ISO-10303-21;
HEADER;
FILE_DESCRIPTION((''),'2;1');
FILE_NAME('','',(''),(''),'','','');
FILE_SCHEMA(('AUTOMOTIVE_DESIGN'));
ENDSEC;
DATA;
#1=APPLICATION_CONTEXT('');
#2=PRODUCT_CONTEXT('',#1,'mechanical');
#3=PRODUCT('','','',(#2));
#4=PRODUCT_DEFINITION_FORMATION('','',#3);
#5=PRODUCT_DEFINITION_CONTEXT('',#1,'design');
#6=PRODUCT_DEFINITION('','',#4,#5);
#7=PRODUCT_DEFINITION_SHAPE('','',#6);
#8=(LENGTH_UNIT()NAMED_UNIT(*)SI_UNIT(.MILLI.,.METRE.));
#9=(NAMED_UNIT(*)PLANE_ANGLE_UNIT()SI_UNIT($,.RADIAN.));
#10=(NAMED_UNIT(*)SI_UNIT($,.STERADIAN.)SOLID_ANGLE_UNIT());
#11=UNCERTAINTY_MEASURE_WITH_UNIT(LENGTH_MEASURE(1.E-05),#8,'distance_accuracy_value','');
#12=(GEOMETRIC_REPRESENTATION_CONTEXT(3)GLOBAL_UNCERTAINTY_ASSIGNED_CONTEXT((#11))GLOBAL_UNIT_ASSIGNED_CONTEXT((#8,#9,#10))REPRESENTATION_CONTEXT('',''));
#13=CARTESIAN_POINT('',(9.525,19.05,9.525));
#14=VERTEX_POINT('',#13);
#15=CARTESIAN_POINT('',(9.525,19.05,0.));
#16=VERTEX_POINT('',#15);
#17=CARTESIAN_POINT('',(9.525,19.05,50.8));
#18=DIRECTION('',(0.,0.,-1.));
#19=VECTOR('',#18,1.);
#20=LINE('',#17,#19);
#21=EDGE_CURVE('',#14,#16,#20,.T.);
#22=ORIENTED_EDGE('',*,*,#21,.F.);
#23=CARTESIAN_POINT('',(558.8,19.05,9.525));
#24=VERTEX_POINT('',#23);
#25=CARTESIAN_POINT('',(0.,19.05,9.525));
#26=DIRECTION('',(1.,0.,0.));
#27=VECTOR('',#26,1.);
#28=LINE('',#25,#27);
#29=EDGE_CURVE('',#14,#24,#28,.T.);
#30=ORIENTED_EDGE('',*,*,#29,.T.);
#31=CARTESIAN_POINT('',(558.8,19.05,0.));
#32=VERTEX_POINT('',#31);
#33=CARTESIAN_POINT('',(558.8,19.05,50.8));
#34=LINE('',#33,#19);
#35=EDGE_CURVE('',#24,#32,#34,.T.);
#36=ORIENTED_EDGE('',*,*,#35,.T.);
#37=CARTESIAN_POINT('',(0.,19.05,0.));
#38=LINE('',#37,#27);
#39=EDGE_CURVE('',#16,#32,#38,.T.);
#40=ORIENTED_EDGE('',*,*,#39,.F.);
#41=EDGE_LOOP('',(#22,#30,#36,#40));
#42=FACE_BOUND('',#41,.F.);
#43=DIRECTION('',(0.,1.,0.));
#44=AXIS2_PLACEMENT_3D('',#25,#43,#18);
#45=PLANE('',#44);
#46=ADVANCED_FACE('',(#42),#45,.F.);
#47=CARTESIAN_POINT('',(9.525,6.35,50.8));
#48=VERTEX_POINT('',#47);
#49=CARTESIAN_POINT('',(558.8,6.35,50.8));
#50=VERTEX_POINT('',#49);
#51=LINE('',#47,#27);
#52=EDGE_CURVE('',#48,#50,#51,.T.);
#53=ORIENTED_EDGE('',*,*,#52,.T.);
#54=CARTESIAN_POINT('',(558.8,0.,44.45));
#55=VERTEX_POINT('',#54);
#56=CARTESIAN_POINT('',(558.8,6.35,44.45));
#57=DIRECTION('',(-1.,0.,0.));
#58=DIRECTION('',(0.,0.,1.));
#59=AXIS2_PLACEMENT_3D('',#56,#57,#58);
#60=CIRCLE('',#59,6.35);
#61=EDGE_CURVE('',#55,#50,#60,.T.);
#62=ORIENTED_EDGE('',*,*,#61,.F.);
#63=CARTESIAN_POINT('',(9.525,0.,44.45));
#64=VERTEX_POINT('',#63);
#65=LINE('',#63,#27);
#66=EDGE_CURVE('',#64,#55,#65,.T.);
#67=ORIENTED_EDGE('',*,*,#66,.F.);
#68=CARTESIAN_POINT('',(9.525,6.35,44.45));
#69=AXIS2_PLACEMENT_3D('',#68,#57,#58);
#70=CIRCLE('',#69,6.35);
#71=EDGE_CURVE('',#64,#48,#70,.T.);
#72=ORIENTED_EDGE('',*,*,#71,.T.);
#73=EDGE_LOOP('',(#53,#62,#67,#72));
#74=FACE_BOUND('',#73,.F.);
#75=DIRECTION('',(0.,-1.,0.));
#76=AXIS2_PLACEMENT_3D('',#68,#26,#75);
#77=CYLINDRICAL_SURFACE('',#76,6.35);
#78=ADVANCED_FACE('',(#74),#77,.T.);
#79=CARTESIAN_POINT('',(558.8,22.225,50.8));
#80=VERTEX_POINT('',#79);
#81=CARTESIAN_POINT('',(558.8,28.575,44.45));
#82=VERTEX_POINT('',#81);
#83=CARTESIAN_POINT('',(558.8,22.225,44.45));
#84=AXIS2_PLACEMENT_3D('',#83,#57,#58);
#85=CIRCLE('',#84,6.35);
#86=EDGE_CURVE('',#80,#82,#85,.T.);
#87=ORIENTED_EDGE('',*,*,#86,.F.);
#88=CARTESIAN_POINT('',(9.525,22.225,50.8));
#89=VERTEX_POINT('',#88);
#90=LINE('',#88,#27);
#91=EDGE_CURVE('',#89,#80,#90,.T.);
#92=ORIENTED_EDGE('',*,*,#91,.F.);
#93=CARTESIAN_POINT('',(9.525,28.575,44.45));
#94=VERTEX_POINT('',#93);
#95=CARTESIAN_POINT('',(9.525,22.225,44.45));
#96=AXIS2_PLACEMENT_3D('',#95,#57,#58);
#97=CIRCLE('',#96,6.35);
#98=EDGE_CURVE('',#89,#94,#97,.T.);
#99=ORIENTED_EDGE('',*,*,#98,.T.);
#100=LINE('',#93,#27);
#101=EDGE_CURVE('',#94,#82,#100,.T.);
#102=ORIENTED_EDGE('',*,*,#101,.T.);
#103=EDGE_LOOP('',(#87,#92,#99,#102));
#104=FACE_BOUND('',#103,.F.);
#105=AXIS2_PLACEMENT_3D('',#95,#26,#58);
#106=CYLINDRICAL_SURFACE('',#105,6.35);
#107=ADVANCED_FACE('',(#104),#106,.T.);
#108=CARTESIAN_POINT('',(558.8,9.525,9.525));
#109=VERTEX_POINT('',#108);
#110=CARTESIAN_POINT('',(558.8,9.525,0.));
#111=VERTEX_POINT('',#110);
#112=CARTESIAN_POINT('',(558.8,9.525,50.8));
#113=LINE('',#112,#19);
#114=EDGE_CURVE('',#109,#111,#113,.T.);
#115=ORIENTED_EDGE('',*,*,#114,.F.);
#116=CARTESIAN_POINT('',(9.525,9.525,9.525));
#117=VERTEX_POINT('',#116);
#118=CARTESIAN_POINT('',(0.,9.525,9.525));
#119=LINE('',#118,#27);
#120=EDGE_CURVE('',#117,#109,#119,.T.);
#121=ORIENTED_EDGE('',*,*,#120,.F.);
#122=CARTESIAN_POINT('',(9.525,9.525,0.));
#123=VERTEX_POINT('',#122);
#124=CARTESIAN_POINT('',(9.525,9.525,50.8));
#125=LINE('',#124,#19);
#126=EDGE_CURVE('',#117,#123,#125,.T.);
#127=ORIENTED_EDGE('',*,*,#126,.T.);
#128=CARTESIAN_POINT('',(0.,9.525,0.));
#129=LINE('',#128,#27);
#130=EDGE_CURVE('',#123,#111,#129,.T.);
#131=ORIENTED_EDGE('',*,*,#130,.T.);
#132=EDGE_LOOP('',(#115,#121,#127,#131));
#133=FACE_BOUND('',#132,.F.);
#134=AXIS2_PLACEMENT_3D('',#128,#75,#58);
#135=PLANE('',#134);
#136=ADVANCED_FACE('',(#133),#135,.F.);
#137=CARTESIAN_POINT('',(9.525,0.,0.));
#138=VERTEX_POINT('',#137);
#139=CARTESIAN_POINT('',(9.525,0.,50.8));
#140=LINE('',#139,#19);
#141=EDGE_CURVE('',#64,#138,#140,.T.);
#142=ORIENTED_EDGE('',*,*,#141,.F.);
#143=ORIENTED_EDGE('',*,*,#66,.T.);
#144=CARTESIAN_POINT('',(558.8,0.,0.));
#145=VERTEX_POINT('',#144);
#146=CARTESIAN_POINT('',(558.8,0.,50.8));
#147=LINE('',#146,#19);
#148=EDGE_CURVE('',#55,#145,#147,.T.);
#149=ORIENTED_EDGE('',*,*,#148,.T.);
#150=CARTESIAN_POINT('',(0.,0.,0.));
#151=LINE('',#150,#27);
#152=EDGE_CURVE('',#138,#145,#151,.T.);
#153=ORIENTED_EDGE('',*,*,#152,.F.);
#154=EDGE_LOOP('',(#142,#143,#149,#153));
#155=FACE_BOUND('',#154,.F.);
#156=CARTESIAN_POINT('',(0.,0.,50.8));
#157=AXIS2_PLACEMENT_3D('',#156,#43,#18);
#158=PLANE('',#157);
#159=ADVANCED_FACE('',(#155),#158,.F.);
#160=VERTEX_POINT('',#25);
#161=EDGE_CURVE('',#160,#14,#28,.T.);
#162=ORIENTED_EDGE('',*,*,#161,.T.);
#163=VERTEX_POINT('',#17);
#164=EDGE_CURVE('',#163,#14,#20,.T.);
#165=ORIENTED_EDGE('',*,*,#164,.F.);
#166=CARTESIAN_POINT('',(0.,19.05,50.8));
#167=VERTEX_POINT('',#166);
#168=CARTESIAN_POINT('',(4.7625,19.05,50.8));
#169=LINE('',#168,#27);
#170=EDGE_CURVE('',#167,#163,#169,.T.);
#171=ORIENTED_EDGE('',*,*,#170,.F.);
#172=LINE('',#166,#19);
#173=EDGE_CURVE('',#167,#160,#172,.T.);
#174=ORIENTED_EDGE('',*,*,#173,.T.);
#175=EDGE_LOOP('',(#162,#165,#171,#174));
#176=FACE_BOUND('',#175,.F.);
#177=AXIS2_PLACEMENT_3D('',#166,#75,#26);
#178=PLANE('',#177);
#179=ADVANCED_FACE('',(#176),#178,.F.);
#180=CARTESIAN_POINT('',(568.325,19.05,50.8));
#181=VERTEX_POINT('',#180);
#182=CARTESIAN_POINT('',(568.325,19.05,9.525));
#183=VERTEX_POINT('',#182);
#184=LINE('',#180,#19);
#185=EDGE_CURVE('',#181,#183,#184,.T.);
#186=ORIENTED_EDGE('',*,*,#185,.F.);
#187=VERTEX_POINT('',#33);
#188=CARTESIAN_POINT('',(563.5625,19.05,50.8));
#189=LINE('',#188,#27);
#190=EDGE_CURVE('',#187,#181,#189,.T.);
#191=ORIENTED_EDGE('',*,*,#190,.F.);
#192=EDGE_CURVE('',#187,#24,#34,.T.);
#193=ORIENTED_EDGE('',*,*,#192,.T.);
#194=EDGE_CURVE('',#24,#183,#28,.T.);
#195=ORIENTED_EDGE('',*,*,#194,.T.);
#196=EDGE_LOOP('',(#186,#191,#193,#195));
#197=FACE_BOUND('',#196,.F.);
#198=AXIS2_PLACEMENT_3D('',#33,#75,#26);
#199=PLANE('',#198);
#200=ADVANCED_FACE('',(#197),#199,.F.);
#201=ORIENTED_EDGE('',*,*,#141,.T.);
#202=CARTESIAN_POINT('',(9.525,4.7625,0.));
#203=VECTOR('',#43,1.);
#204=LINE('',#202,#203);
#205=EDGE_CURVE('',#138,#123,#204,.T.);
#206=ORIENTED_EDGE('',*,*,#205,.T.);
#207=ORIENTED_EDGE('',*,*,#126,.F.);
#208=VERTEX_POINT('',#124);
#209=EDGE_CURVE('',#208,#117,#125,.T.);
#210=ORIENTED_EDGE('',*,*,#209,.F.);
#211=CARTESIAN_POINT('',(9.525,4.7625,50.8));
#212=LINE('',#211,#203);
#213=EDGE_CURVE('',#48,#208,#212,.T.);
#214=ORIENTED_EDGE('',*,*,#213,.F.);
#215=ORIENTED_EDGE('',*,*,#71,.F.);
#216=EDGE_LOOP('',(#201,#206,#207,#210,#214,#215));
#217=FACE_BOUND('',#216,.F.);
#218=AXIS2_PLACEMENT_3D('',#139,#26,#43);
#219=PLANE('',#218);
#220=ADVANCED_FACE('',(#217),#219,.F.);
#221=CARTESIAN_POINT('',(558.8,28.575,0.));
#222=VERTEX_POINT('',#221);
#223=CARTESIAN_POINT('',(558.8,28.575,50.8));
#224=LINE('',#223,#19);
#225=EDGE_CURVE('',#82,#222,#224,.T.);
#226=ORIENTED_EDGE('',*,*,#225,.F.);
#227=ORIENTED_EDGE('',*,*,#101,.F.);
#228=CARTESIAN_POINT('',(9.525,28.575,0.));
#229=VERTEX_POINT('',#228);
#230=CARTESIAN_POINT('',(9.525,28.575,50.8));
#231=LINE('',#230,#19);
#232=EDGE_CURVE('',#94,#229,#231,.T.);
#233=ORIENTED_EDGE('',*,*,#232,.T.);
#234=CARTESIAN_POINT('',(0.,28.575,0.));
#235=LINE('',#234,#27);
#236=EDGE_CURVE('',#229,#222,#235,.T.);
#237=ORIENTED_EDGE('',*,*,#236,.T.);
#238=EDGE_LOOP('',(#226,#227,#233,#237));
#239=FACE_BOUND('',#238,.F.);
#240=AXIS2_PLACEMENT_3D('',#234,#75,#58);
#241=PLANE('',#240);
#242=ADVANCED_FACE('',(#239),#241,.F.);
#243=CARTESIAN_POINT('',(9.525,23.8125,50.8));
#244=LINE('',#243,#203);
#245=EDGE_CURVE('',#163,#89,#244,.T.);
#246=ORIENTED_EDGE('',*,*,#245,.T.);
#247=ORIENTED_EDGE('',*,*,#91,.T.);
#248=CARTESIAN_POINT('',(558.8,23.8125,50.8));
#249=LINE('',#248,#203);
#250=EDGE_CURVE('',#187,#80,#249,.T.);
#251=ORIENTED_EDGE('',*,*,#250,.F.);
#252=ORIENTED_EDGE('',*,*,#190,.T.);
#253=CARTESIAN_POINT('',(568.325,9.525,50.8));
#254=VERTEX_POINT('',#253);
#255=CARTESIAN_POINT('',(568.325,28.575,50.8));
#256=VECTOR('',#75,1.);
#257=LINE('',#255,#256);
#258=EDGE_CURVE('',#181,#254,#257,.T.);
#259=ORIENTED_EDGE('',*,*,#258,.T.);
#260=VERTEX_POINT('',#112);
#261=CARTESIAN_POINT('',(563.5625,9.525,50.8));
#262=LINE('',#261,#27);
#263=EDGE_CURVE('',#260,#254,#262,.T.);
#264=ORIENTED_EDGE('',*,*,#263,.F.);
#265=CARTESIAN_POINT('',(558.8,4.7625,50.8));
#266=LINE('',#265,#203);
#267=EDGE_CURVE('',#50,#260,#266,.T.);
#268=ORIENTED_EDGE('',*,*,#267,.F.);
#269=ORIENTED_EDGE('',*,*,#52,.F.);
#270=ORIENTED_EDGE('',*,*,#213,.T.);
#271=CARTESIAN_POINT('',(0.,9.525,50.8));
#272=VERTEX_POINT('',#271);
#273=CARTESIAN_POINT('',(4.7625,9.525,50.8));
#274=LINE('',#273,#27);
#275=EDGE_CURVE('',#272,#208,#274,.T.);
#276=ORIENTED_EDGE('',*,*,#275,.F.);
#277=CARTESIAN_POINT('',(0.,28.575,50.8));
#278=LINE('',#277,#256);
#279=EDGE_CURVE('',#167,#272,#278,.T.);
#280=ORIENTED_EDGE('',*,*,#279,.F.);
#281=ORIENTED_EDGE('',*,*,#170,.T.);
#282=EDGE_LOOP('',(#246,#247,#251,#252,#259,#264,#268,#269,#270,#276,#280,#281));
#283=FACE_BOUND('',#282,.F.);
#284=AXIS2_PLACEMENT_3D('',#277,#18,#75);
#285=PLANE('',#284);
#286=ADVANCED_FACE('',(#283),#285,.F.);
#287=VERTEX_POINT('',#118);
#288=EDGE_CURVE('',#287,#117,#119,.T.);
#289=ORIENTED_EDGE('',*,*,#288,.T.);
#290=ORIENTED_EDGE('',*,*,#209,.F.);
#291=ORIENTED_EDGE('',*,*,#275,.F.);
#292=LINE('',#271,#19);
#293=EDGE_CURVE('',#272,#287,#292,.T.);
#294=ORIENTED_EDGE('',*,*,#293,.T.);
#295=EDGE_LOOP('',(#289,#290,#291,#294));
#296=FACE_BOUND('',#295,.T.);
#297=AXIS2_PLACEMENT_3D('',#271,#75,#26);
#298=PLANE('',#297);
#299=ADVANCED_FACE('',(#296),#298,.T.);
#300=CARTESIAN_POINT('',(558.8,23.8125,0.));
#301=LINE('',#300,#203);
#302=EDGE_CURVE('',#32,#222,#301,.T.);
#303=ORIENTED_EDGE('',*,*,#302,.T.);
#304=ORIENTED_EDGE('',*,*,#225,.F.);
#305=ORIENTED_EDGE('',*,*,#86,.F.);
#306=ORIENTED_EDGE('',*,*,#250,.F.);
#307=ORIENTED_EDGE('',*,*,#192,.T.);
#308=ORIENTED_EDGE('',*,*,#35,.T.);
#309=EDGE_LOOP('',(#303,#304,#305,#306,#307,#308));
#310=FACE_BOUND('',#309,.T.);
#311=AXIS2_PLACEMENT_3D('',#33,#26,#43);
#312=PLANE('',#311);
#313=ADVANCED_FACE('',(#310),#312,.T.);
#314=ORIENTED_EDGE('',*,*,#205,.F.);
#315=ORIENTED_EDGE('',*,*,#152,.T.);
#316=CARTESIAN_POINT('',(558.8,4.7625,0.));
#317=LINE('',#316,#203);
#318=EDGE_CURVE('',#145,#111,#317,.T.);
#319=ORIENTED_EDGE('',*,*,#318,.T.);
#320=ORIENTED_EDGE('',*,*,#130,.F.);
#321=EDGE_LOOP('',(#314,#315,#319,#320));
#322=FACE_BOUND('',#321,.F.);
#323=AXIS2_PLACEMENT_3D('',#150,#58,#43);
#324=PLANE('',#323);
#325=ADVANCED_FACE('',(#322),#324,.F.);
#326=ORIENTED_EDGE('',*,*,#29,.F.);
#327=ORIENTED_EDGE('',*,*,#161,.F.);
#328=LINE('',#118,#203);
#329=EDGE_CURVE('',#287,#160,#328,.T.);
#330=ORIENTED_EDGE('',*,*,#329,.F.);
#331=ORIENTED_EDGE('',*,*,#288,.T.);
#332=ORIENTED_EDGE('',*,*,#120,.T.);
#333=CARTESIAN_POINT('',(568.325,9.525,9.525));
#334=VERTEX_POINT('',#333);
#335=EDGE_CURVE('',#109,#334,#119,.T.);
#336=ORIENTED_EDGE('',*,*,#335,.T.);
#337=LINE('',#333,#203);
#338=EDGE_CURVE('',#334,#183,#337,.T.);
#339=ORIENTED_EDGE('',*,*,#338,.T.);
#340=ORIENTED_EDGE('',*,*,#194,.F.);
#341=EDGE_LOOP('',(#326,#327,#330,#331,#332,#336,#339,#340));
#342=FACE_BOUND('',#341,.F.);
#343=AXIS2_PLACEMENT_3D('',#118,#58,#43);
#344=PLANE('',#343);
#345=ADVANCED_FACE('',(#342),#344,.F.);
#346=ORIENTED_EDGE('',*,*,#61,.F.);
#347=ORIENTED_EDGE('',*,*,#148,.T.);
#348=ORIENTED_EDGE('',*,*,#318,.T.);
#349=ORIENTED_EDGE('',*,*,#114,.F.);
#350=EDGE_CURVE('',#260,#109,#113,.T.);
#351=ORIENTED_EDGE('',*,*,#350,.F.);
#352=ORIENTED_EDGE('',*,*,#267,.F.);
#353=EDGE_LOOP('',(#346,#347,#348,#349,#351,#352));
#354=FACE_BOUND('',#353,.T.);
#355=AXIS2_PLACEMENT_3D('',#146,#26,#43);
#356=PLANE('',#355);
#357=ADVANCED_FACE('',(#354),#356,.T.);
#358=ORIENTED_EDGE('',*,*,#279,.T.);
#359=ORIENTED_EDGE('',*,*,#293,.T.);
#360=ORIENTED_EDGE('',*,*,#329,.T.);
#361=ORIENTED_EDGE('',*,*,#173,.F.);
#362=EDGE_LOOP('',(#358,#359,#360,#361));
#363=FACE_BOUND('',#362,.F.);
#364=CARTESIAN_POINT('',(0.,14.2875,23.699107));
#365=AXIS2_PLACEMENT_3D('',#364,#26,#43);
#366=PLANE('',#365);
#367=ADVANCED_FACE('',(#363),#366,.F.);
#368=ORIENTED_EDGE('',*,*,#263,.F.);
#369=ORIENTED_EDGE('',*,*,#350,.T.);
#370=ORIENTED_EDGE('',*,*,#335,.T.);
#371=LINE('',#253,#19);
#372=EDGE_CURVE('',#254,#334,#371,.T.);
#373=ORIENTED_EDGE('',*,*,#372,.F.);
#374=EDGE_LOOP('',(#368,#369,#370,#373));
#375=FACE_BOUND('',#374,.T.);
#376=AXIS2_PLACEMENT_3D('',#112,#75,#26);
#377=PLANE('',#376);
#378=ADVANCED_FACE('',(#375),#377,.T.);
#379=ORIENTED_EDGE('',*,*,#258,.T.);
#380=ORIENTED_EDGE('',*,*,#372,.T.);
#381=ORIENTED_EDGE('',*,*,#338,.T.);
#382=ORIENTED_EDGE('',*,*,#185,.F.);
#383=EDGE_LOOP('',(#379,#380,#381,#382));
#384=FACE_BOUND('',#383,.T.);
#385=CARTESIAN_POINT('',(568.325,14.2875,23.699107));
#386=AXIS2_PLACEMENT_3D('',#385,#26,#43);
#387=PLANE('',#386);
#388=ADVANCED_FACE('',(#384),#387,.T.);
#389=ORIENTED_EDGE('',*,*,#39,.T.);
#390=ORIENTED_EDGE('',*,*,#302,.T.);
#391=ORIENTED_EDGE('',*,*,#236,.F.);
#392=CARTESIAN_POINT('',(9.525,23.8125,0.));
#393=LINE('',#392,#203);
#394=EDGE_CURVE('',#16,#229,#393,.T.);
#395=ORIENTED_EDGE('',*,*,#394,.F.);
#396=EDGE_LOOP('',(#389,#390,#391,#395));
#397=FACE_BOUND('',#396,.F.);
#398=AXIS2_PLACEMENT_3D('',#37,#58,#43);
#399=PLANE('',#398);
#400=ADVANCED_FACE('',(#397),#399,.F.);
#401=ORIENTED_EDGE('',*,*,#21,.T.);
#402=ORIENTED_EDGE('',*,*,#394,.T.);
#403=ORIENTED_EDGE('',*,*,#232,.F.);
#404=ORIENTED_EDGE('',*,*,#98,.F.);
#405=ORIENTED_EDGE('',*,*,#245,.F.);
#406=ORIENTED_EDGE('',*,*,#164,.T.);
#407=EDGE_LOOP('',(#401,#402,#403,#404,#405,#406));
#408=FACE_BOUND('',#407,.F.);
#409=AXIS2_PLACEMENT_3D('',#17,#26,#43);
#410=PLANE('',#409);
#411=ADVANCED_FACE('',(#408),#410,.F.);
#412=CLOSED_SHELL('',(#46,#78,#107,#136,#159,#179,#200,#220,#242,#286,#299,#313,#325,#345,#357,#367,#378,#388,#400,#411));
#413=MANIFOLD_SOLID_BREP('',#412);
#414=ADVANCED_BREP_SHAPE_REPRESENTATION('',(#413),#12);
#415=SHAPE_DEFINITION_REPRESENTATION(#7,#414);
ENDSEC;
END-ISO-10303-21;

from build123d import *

# Parameters (mm, degrees)
F1_DEPTH = 568.325
F2_W     = 9.525
F2_H     = 9.525
F3_DEPTH = 50.8
F4_R     = 6.35


with BuildPart() as f1:
    # F0 (on Right) → F1 (new body)
    with BuildSketch(Plane.YZ):
        Polygon((0, 50.8), (0, 0), (9.525, 0), (9.525, 9.525), (19.05, 9.525), (19.05, 0), (28.575, 0), (28.575, 50.8), align=None)
    extrude(amount=F1_DEPTH)

    # F2 (on face) → F3 (cut)
    with BuildSketch(Plane.XY.offset(50.8)):
        with Locations((4.7625, 23.8125)):
            Rectangle(F2_W, F2_H)
        with Locations((4.7625, 4.7625)):
            Rectangle(F2_W, F2_H)
        with Locations((563.5625, 23.8125)):
            Rectangle(F2_W, F2_H)
        with Locations((563.5625, 4.7625)):
            Rectangle(F2_W, F2_H)
    extrude(amount=-F3_DEPTH, mode=Mode.SUBTRACT)

    # F4
    f4_edges = [f1.edges().sort_by_distance(p)[0] for p in [
        (284.1625, 0, 50.8),
        (284.1625, 28.575, 50.8),
    ]]
    fillet(f4_edges, radius=F4_R)


solid = f1.part
